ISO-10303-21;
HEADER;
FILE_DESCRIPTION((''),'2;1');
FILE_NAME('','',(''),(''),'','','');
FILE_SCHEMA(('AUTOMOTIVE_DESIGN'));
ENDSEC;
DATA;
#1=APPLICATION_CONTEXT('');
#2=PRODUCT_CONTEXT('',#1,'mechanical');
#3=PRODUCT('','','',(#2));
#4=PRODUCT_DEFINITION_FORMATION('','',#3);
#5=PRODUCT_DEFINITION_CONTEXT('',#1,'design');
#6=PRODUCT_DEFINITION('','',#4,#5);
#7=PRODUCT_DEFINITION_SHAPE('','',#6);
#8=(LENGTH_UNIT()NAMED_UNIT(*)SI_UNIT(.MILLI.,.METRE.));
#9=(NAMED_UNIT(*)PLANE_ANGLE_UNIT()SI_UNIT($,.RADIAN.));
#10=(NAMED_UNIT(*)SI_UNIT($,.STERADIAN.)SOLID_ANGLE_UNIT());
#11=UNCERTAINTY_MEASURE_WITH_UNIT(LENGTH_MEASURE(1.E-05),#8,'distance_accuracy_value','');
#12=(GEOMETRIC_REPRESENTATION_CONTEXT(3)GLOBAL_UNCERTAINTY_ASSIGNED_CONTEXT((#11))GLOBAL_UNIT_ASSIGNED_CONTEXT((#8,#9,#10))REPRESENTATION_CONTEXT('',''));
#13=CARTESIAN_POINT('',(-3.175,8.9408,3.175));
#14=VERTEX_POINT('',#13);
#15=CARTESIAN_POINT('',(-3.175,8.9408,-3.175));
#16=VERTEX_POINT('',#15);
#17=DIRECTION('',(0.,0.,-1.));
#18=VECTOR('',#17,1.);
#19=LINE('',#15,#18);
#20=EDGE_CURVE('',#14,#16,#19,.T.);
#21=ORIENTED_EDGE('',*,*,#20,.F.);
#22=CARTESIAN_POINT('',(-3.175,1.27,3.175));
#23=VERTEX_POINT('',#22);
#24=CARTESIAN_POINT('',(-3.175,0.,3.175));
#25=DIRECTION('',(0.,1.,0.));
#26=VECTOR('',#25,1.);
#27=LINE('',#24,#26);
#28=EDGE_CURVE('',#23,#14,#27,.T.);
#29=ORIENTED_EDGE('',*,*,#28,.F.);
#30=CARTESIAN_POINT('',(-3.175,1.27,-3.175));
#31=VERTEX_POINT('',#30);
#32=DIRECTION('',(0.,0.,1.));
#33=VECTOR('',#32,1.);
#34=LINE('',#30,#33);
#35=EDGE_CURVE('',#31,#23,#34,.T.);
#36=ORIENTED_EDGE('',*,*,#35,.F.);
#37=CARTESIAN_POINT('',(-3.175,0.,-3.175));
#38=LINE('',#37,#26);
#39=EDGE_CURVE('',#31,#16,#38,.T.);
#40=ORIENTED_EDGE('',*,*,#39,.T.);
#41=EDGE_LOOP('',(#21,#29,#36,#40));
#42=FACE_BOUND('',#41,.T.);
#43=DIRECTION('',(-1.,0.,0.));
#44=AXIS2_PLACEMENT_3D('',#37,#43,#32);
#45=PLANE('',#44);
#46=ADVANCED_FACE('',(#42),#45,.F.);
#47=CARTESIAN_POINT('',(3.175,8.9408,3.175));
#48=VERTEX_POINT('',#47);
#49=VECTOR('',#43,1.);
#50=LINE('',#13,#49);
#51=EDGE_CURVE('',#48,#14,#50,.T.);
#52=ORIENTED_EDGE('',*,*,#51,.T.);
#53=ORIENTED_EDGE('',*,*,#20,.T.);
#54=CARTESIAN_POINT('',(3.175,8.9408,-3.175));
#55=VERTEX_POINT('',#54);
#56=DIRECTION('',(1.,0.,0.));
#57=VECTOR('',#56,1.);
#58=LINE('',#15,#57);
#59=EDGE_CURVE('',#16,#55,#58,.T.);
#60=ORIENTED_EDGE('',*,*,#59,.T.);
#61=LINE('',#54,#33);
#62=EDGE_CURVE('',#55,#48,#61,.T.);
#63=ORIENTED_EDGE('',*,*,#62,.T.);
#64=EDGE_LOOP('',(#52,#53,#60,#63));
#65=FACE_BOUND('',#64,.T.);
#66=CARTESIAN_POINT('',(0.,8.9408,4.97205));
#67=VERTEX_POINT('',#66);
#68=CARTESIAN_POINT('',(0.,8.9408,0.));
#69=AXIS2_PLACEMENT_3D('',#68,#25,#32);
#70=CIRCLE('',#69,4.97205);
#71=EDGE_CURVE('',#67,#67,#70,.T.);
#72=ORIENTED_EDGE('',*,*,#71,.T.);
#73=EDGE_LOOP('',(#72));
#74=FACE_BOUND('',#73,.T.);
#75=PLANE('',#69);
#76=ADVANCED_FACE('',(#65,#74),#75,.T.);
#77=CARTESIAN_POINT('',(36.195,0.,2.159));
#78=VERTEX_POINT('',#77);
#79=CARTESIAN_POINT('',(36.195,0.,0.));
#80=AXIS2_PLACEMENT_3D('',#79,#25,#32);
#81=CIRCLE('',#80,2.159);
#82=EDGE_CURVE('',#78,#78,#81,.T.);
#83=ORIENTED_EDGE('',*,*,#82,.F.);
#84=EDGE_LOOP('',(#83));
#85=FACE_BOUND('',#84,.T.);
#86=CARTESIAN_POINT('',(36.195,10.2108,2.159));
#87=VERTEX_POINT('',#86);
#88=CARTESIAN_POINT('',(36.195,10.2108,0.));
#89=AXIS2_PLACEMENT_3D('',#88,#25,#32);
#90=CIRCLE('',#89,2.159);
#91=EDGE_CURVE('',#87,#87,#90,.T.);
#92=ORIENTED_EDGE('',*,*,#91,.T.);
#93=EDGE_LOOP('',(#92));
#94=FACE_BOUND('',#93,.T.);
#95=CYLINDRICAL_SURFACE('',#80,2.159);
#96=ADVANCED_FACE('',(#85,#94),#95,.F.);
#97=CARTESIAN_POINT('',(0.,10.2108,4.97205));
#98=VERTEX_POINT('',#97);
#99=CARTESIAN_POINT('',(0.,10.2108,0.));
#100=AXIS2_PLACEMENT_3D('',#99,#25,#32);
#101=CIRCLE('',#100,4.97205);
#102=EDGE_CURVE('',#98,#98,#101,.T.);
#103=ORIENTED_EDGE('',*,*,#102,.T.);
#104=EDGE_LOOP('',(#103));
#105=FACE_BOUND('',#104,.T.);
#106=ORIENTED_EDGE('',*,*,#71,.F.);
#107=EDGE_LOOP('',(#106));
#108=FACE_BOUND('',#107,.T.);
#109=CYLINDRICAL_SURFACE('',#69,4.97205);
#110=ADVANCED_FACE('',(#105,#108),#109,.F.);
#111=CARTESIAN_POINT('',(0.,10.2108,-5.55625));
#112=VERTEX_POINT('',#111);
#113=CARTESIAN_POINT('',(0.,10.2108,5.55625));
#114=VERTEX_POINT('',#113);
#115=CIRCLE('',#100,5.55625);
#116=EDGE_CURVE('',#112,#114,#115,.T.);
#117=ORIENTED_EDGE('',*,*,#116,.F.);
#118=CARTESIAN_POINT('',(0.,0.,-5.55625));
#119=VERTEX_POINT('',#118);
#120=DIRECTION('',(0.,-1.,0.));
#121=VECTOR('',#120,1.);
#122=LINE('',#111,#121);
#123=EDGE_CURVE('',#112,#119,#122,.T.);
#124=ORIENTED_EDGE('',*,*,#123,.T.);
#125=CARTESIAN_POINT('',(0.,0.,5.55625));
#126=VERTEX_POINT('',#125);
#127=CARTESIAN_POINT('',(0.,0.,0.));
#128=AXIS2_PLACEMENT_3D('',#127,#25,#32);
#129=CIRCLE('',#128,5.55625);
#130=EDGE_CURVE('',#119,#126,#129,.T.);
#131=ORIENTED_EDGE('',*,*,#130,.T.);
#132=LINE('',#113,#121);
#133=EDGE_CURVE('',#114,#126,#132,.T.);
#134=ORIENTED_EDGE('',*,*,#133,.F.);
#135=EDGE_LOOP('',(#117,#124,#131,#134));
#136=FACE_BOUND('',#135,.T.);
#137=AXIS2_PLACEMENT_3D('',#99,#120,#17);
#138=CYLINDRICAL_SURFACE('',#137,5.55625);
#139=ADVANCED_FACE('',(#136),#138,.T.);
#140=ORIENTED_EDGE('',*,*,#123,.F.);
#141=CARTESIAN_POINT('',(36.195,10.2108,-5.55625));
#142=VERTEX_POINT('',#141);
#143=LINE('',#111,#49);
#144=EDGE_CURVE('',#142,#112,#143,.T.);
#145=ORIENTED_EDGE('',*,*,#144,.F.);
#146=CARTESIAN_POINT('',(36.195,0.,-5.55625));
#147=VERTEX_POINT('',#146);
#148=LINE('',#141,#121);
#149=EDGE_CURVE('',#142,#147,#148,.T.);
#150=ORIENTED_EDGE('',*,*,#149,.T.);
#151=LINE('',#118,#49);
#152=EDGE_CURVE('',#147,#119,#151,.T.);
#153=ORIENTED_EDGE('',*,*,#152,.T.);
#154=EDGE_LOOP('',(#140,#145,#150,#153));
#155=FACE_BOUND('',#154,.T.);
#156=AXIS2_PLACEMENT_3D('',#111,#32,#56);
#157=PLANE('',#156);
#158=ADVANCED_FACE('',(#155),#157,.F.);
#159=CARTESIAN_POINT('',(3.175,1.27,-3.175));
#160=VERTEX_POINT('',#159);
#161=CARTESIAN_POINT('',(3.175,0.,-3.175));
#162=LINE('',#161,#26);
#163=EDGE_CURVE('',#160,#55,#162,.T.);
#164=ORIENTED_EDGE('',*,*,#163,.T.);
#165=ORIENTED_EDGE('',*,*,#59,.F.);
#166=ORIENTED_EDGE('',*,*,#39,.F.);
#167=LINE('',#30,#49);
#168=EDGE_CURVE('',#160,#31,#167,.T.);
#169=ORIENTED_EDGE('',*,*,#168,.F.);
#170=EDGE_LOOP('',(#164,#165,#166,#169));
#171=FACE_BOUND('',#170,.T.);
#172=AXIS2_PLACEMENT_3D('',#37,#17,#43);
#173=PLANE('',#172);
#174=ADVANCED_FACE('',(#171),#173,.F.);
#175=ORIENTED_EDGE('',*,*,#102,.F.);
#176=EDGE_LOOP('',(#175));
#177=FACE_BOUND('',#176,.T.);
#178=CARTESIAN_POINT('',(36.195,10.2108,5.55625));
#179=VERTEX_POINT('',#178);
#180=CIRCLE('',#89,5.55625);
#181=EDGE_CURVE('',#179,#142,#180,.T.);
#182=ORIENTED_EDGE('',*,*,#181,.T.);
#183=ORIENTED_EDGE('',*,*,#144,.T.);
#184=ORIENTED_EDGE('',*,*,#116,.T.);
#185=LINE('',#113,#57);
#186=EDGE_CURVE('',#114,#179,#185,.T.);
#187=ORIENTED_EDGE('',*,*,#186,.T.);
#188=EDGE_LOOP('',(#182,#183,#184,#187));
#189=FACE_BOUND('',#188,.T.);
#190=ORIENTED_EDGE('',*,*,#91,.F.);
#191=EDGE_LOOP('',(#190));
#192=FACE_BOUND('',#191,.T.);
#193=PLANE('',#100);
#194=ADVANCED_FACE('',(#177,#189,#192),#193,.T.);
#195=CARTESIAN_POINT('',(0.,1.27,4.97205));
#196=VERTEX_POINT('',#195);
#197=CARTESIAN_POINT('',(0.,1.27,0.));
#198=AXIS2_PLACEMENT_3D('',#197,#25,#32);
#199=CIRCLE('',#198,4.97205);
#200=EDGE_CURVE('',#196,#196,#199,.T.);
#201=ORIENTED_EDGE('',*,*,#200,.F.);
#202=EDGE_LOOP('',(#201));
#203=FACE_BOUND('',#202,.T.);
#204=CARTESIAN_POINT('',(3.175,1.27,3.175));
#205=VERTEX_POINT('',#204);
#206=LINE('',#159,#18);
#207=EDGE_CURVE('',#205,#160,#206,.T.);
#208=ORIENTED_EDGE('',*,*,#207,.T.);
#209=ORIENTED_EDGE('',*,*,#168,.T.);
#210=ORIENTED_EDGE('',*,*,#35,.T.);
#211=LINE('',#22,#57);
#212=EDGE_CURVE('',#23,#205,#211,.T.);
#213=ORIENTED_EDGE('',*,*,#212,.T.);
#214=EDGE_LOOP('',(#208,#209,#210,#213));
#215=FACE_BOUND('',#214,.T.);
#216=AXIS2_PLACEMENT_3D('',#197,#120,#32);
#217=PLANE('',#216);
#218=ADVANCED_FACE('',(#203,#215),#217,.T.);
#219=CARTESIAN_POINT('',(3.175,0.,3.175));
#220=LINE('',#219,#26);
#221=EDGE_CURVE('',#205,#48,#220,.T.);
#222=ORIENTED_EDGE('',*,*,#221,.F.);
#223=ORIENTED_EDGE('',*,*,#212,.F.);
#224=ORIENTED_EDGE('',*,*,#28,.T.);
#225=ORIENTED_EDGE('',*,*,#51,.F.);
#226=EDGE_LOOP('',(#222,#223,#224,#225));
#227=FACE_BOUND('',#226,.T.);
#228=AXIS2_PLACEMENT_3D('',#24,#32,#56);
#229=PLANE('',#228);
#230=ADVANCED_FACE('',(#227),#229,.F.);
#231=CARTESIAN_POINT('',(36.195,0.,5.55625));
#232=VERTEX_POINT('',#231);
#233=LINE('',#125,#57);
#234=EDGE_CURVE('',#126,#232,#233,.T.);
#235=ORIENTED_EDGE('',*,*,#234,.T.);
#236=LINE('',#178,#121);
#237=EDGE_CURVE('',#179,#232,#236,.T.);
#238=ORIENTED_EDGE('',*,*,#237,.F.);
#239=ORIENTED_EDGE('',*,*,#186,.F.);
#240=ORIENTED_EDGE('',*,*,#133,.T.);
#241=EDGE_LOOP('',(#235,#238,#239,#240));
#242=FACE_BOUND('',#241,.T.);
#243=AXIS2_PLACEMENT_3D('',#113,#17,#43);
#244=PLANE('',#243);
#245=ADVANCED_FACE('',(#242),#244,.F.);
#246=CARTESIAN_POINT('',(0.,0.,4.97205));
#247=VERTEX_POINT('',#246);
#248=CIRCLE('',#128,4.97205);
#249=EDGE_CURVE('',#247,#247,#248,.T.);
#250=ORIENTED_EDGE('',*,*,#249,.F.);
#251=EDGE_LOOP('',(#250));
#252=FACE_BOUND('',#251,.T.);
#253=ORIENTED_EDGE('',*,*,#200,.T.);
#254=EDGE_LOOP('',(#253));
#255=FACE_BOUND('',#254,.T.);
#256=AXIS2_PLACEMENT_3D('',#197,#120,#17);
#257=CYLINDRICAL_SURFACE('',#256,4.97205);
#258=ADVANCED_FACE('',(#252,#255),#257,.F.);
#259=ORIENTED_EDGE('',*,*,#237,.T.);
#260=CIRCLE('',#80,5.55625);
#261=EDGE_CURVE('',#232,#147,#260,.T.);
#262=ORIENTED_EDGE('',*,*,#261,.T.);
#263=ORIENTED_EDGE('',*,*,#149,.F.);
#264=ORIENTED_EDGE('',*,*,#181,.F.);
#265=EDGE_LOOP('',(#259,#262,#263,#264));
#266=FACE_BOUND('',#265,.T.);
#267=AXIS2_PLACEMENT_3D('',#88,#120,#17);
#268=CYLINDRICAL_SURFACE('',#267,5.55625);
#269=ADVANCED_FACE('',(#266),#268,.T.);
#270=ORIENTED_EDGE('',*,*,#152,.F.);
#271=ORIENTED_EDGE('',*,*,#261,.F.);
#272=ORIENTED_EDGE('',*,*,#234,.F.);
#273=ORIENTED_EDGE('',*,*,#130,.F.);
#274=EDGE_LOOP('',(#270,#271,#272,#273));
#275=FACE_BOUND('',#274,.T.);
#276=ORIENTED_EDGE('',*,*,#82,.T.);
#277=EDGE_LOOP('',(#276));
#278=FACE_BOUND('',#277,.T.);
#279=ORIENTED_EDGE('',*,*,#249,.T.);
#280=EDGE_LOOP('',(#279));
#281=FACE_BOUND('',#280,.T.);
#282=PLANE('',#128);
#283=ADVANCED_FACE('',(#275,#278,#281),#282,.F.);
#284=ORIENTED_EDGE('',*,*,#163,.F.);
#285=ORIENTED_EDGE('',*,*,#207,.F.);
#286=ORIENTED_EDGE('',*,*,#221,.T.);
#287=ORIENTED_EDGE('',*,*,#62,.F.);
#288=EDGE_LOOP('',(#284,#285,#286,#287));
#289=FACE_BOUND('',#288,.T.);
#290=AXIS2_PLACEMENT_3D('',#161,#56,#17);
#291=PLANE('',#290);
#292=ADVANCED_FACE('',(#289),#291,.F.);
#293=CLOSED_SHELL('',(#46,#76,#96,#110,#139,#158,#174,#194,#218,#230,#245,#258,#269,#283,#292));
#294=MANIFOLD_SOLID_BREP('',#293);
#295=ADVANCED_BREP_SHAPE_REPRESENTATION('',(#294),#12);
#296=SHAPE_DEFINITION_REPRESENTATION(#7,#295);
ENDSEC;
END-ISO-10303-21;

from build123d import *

# Parameters (mm, degrees)
BOSS_EXTRUDE1_DEPTH = 10.2108
SKETCH2_R           = 2.159
SKETCH2_W           = 6.35
SKETCH2_H           = 6.35
CUT_EXTRUDE1_DEPTH  = 44.339349641
SKETCH3_R           = 4.97205
CUT_EXTRUDE2_DEPTH  = 1.27


with BuildPart() as part:
    # Sketch1 → Boss-Extrude1 (new body)
    with BuildSketch(Plane(origin=(0, 0, 0), x_dir=(1, 0, 0), z_dir=(0, 1, 0))):
        with BuildLine():
            Line((0, 5.55625), (36.195, 5.55625))
            ThreePointArc((36.195, 5.55625), (41.75125, 0), (36.195, -5.55625))
            Line((36.195, -5.55625), (0, -5.55625))
            ThreePointArc((0, -5.55625), (-5.55625, 0), (0, 5.55625))
        make_face()
    extrude(amount=BOSS_EXTRUDE1_DEPTH)

    # Sketch2 → Cut-Extrude1 (cut, through all)
    with BuildSketch(Plane(origin=(0, 10.2108, 0), x_dir=(1, 0, 0), z_dir=(0, 1, 0))):
        with Locations(Location((36.195, 0, 0), (0, 0, 270))):
            Circle(SKETCH2_R)
        Rectangle(SKETCH2_W, SKETCH2_H)
    extrude(amount=-CUT_EXTRUDE1_DEPTH, mode=Mode.SUBTRACT)

    # Sketch3 → Cut-Extrude2 (cut)
    with BuildSketch(Plane(origin=(0, 10.2108, 0), x_dir=(1, 0, 0), z_dir=(0, 1, 0))):
        with Locations(Location((0, 0, 0), (0, 0, 270))):
            Circle(SKETCH3_R)
    cut_extrude2 = extrude(amount=-CUT_EXTRUDE2_DEPTH, mode=Mode.SUBTRACT)

    # Mirror1: Cut-Extrude2 across plane
    add(cut_extrude2.mirror(Plane.ZX.offset(5.1054)), mode=Mode.SUBTRACT)


solid = part.part
